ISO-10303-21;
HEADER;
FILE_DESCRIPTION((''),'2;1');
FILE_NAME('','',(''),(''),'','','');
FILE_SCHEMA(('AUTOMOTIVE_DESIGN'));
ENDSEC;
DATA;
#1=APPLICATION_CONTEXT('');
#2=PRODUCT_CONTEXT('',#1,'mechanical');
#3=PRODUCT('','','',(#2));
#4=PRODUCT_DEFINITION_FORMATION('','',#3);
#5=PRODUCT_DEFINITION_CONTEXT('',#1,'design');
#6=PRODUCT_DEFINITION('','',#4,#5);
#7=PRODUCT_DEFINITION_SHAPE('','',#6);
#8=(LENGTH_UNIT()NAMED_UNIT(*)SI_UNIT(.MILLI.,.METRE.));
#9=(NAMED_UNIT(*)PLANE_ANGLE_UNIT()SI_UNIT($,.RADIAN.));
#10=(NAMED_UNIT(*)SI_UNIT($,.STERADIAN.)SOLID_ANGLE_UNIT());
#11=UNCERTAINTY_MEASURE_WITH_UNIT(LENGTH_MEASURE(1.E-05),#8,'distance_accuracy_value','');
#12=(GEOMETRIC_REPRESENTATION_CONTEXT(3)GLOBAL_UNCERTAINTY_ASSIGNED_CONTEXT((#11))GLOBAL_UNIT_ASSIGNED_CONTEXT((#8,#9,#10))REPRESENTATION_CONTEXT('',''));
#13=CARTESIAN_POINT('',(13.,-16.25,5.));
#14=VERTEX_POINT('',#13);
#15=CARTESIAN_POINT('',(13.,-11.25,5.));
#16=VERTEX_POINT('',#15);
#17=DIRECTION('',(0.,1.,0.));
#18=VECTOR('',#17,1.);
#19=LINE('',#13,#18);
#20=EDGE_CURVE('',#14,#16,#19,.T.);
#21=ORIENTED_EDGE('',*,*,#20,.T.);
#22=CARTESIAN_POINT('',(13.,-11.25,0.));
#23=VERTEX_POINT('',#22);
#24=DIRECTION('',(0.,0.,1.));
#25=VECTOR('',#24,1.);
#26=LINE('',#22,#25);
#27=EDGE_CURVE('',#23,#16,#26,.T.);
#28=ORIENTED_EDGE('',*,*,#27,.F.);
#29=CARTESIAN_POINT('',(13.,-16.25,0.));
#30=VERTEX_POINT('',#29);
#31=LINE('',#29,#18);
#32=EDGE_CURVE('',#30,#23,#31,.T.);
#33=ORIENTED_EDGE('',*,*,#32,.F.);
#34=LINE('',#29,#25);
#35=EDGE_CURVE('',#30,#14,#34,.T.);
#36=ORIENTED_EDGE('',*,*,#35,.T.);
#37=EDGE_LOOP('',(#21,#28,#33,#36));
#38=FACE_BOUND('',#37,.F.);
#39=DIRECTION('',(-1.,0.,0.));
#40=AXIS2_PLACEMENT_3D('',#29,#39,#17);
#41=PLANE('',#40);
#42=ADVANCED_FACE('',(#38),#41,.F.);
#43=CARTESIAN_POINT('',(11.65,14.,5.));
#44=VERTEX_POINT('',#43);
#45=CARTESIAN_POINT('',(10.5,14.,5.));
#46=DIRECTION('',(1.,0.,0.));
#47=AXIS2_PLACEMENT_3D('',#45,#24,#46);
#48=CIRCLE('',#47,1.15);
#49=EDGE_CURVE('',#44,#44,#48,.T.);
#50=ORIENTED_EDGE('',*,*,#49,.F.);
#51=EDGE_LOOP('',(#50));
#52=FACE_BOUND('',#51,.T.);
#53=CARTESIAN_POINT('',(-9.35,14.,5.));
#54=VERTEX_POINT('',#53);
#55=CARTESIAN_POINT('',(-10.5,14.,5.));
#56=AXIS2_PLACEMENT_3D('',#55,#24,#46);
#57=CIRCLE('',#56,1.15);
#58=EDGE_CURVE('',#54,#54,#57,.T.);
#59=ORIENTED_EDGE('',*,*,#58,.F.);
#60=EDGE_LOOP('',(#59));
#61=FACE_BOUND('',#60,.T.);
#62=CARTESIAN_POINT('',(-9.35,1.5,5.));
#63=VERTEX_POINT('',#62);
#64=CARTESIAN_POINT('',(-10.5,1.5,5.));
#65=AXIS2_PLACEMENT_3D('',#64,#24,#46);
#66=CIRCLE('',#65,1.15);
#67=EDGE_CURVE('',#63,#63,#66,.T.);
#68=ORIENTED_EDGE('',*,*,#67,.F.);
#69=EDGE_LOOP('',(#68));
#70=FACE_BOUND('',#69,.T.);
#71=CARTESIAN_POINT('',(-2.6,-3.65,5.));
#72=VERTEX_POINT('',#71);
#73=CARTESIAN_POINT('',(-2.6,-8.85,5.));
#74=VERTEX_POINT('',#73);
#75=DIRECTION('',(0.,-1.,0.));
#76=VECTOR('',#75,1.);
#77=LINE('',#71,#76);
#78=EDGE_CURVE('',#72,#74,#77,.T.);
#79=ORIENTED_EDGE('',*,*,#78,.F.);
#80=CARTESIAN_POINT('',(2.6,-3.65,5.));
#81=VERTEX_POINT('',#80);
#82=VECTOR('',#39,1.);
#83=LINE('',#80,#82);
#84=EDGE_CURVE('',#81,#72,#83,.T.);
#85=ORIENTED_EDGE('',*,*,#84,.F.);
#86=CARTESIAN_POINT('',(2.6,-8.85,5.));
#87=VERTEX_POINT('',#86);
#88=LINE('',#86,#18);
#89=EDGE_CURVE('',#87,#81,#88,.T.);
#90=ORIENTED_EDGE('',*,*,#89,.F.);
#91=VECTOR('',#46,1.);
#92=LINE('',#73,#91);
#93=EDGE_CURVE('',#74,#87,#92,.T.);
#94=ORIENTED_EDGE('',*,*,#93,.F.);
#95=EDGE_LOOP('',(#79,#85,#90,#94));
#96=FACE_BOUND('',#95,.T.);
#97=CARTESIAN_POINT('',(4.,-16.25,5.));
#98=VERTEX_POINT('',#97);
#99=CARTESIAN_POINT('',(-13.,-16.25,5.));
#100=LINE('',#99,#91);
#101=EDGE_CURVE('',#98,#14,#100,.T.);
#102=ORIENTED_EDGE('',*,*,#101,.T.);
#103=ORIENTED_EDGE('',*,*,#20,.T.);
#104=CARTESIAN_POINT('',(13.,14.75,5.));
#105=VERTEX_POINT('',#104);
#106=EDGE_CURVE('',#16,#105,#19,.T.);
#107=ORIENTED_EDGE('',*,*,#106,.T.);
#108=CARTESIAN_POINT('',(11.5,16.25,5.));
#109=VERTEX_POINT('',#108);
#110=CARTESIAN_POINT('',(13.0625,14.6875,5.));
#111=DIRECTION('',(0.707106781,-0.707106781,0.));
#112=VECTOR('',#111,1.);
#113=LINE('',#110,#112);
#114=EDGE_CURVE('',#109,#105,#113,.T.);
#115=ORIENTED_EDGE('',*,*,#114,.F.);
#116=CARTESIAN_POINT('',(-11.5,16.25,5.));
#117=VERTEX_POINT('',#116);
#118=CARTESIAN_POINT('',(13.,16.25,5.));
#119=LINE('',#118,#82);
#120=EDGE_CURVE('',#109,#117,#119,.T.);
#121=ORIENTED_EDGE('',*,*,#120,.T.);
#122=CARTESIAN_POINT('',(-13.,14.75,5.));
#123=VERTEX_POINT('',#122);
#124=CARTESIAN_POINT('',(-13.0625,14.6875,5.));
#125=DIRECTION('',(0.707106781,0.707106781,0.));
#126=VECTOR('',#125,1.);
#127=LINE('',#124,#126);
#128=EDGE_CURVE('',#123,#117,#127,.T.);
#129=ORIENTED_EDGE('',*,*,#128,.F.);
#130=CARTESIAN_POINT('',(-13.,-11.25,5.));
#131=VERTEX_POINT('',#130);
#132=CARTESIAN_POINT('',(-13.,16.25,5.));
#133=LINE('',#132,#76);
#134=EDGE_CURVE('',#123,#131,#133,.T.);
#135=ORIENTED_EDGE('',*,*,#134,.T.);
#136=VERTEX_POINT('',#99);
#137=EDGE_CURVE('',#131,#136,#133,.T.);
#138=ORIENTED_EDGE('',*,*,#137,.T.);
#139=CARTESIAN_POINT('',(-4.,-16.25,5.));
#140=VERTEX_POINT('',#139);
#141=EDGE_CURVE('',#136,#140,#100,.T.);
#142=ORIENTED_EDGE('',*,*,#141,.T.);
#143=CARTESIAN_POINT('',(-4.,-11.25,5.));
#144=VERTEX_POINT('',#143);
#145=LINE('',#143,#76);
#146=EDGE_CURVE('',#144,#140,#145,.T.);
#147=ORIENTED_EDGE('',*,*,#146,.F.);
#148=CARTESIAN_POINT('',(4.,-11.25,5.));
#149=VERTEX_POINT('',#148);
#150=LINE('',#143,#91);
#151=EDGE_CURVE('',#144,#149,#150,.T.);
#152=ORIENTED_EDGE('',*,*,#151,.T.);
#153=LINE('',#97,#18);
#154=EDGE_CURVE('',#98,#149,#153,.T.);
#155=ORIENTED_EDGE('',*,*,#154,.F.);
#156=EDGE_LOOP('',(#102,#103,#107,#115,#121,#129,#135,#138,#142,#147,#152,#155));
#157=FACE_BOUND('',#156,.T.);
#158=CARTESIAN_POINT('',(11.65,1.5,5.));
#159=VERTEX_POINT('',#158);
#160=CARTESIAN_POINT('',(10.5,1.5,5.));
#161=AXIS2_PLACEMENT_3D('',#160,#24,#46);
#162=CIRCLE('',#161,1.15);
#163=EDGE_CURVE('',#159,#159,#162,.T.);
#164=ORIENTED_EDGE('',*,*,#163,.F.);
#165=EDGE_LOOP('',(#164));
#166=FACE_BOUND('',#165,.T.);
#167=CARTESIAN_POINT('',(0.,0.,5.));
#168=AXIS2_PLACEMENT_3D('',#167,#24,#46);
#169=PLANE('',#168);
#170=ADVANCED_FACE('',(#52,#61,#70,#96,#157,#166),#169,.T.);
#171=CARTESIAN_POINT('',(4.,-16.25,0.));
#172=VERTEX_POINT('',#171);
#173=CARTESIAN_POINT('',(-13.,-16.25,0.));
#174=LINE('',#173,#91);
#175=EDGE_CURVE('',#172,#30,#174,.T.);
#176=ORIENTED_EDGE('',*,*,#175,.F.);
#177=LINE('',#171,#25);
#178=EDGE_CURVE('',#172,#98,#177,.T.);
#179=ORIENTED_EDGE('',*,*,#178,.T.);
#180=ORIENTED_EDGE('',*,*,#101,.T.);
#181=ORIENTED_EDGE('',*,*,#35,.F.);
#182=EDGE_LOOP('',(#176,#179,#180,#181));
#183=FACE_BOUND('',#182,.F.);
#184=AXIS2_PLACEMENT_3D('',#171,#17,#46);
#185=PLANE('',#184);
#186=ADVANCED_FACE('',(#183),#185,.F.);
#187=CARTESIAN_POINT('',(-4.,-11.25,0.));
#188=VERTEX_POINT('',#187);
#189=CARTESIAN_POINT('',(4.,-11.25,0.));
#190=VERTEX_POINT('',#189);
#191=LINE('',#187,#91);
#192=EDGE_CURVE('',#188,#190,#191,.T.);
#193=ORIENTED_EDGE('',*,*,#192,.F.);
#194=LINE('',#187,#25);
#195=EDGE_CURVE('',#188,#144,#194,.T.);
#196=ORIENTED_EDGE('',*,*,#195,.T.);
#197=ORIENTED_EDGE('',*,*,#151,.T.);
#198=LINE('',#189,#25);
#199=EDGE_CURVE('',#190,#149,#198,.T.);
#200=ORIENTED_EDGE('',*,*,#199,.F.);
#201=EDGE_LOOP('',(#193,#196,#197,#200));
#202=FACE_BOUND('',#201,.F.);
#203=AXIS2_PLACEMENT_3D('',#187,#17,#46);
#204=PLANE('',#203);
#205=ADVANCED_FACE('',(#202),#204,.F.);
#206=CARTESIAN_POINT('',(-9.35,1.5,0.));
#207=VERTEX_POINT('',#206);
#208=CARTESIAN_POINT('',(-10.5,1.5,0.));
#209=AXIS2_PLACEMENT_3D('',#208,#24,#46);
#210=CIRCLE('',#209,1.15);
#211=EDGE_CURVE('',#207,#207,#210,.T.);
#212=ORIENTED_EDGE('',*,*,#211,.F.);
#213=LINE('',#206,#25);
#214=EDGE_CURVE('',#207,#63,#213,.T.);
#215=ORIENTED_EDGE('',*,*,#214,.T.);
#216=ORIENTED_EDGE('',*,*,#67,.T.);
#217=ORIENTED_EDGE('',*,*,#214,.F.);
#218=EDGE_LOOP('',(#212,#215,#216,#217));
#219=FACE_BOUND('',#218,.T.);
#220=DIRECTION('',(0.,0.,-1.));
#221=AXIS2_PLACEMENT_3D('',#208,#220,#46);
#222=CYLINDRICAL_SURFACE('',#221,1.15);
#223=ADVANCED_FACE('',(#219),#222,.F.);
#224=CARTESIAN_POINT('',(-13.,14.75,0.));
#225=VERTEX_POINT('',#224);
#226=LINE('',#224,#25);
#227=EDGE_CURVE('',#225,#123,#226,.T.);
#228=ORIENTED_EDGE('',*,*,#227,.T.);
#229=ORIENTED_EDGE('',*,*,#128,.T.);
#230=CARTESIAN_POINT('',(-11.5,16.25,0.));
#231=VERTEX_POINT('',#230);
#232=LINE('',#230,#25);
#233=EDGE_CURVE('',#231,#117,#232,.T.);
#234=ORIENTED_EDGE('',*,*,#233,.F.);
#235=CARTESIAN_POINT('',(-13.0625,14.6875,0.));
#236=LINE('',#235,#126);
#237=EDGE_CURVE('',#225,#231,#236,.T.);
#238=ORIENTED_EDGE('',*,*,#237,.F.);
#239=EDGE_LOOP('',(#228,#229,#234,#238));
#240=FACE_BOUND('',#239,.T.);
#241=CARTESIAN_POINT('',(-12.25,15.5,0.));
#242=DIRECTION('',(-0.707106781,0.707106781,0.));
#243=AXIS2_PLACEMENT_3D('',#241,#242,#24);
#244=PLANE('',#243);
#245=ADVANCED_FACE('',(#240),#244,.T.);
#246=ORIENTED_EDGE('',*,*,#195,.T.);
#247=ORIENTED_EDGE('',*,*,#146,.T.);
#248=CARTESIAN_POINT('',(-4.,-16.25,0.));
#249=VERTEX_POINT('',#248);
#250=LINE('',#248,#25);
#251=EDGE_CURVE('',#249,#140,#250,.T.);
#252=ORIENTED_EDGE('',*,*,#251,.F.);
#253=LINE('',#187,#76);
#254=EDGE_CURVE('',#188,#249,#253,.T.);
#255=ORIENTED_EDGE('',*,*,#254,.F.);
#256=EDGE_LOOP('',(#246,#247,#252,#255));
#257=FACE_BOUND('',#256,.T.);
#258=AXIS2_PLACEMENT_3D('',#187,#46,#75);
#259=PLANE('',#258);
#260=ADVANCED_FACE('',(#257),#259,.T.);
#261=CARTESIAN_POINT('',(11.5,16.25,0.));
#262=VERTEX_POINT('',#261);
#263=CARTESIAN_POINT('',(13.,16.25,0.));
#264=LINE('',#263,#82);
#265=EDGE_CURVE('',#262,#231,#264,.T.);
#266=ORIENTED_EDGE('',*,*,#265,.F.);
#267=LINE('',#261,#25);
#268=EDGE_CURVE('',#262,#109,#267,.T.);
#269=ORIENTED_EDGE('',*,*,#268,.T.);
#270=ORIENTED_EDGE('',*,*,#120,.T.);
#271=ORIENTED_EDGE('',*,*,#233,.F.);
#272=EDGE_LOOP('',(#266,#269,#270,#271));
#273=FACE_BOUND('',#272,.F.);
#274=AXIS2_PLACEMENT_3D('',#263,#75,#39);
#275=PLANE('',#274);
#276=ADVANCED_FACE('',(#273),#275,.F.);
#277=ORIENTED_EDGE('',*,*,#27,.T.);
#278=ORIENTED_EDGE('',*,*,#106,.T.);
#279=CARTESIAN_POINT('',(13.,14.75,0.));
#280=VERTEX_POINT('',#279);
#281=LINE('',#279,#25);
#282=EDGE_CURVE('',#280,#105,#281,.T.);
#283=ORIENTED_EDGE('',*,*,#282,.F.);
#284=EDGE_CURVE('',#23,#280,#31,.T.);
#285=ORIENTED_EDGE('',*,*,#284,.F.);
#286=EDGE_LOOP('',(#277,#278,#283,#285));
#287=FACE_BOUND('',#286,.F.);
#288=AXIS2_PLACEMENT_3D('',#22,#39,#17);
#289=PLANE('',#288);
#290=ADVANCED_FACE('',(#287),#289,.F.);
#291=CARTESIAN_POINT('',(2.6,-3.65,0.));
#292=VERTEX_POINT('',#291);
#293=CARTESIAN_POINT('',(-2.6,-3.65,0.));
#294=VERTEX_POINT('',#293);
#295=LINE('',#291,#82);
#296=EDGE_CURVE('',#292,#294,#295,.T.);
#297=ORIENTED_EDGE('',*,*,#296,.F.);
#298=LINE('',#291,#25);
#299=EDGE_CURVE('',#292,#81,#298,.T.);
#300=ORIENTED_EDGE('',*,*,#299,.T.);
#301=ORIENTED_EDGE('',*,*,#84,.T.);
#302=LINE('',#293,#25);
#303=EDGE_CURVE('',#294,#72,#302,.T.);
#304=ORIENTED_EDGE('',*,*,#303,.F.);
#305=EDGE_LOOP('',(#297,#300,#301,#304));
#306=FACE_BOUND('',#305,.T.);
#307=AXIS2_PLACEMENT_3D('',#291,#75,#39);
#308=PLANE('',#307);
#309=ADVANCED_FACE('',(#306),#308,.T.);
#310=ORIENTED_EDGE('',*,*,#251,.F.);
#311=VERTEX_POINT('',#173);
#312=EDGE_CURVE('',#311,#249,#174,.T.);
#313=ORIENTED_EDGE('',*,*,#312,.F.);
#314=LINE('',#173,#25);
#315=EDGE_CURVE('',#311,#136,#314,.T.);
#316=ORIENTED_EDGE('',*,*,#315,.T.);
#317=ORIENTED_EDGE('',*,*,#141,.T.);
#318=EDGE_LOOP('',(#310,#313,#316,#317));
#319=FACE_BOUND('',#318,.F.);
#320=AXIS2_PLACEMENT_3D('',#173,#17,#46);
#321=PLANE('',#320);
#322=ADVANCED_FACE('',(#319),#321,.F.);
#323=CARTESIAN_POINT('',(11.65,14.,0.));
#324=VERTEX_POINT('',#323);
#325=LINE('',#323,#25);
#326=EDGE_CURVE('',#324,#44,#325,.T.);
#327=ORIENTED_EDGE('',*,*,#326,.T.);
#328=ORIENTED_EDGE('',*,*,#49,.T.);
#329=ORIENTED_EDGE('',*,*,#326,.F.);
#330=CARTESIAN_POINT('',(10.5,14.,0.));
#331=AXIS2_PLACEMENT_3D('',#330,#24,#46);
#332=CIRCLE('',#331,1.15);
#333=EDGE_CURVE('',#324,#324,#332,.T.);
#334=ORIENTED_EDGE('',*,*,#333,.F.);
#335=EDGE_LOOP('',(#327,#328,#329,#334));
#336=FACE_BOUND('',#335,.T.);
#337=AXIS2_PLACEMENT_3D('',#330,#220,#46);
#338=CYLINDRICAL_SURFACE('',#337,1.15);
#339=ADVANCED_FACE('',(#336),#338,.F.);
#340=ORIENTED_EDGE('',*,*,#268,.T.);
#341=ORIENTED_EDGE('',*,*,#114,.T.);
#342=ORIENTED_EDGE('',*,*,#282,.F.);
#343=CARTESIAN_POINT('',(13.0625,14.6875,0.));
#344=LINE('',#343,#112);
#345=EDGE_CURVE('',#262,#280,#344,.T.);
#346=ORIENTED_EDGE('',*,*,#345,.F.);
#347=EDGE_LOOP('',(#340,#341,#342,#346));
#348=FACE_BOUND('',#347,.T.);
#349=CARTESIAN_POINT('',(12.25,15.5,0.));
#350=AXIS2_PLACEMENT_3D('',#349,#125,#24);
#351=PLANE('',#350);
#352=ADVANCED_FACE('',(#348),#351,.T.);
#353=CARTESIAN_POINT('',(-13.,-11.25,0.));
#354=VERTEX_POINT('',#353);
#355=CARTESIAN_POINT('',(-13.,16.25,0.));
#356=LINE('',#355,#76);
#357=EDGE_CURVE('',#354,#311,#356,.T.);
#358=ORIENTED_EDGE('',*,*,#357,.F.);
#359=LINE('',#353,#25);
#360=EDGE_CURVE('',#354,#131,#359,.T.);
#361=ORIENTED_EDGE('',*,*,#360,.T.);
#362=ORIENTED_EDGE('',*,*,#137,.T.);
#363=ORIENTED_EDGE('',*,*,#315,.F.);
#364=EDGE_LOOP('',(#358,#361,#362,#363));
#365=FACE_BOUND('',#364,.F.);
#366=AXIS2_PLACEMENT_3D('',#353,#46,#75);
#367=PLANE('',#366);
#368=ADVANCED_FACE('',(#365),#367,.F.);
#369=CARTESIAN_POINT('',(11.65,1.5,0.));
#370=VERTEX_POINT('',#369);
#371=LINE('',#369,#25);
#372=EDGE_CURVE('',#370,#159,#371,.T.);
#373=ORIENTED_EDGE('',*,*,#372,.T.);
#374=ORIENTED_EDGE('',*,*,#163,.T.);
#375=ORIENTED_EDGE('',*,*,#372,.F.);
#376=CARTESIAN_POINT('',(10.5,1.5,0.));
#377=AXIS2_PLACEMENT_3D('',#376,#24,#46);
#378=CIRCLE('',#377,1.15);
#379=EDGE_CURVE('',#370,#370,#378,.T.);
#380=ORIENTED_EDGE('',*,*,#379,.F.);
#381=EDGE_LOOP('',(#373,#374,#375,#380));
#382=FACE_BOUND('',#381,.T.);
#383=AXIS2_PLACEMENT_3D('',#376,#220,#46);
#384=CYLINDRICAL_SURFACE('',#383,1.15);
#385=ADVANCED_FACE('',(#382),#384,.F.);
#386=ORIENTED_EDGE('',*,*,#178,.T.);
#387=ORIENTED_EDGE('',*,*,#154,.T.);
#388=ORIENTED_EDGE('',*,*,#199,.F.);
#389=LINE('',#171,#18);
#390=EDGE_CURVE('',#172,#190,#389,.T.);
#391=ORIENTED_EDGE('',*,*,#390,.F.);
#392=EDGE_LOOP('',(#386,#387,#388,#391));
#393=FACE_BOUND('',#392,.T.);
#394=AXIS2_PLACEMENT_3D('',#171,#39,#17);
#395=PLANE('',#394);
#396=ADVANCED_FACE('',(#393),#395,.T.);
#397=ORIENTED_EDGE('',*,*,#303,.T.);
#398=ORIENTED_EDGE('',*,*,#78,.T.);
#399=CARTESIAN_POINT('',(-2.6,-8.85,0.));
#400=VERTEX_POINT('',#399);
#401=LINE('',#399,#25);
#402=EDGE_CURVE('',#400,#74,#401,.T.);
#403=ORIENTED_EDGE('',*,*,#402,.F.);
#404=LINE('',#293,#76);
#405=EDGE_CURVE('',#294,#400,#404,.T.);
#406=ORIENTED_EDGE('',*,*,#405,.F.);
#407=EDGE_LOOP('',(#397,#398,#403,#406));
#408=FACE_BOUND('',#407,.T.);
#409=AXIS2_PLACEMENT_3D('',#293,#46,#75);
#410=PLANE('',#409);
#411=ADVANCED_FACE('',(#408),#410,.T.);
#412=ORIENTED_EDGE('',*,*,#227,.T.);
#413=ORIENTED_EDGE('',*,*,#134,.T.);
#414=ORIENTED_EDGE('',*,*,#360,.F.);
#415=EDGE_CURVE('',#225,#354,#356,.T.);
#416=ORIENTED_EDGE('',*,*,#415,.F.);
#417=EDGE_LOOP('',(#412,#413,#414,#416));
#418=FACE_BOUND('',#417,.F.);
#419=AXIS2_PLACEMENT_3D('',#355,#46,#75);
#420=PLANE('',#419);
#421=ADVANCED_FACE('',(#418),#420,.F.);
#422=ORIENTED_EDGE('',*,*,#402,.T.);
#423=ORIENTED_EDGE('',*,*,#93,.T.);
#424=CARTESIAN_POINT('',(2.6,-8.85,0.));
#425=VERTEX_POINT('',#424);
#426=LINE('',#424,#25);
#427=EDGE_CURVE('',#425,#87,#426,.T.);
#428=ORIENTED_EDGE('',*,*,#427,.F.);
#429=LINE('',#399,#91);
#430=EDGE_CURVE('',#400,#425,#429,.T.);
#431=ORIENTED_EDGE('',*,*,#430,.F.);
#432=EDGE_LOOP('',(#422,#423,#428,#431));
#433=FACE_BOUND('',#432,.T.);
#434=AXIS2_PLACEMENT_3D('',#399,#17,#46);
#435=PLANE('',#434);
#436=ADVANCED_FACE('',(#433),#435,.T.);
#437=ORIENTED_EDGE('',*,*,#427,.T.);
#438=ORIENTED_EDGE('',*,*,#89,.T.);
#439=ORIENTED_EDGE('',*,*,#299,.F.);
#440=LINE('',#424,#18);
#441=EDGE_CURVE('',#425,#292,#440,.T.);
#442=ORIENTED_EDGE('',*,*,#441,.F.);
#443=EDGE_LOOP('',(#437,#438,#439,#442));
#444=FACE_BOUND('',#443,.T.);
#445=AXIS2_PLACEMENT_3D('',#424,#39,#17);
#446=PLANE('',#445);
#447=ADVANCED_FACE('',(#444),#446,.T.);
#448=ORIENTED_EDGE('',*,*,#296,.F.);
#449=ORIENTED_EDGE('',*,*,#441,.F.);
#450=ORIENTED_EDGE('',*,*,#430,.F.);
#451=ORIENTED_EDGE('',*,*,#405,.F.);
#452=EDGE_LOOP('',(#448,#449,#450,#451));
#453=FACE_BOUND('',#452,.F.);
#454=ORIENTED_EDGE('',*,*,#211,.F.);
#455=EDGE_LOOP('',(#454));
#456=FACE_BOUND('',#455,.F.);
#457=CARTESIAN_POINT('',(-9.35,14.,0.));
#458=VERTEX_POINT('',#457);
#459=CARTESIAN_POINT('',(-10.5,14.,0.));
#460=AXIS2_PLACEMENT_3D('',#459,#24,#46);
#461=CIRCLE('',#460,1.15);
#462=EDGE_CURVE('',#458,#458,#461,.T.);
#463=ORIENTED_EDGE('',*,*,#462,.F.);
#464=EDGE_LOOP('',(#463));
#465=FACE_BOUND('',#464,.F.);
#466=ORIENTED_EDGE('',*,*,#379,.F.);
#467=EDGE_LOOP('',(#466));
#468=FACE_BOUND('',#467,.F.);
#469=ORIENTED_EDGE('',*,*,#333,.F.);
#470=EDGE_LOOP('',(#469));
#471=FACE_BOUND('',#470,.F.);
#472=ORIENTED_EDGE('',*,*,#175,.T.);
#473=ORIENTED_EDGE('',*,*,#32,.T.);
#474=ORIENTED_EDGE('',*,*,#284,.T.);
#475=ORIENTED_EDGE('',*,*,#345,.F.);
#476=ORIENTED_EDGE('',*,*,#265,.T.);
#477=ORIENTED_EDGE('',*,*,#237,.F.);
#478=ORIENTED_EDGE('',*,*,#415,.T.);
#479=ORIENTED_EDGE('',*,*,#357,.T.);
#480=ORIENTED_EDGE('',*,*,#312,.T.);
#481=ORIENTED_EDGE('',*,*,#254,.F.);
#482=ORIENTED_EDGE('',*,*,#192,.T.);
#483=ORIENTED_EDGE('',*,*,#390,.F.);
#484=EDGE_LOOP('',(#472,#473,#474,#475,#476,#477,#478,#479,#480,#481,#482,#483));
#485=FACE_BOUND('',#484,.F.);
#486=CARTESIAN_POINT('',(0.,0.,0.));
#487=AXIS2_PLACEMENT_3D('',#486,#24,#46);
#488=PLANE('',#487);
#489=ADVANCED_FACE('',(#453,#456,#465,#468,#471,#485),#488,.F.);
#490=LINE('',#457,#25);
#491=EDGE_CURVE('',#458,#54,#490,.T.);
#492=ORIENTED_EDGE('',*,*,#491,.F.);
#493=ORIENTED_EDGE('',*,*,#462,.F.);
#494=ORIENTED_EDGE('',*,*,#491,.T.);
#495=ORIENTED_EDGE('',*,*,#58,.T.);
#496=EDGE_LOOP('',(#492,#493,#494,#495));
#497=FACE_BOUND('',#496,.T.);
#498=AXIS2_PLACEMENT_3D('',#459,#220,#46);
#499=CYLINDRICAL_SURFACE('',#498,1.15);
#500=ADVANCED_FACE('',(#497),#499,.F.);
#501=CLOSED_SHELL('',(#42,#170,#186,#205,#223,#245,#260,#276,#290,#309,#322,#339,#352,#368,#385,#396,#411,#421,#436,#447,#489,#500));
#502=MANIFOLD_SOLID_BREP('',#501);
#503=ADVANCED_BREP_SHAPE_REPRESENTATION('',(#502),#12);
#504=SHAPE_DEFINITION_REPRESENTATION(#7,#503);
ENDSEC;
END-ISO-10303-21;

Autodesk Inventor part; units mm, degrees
ref_plane "YZ Plane" through (0, 0, 0) normal (1, 0, 0) x (0, 1, 0)
ref_plane "XZ Plane" through (0, 0, 0) normal (0, 1, 0) x (-1, 0, 0)
ref_plane "XY Plane" through (0, 0, 0) normal (0, 0, 1) x (1, 0, 0)
sketch "Sketch1" plane through (0, 0, 0) normal (0, 0, 1) x (1, 0, 0)
  line L0 (-13, -16.25) -> (13, -16.25)
  line L1 (13, -16.25) -> (13, 16.25)
  line L2 (13, 16.25) -> (-13, 16.25)
  line L3 (-13, 16.25) -> (-13, -16.25)
  line L4 (-13, -16.25) -> (13, 16.25) construction
  line L5 (13, -16.25) -> (-13, 16.25) construction
  line L6 (-10.5, 1.5) -> (10.5, 1.5) construction
  line L7 (10.5, 1.5) -> (10.5, 14) construction
  line L8 (10.5, 14) -> (-10.5, 14) construction
  line L9 (-10.5, 14) -> (-10.5, 1.5) construction
  line L10 (-10.5, 1.5) -> (10.5, 14) construction
  line L11 (10.5, 1.5) -> (-10.5, 14) construction
  circle A0 centre (-10.5, 14) radius 1.15
  circle A1 centre (10.5, 14) radius 1.15
  circle A2 centre (10.5, 1.5) radius 1.15
  circle A3 centre (-10.5, 1.5) radius 1.15
  line L12 (-13, -11.25) -> (-4, -11.25) construction
  line L13 (-4, -11.25) -> (-4, -16.25)
  line L14 (-4, -16.25) -> (-13, -16.25)
  line L15 (-13, -16.25) -> (-13, -11.25)
  line L16 (-13, -11.25) -> (-4, -16.25) construction
  line L17 (-4, -11.25) -> (-13, -16.25) construction
  line L18 (4, -11.25) -> (13, -11.25) construction
  line L19 (13, -11.25) -> (13, -16.25)
  line L20 (13, -16.25) -> (4, -16.25)
  line L21 (4, -16.25) -> (4, -11.25)
  line L22 (4, -11.25) -> (13, -16.25) construction
  line L23 (13, -11.25) -> (4, -16.25) construction
  line L24 (-4, -11.25) -> (4, -11.25)
  line L25 (-2.6, -8.85) -> (2.6, -8.85)
  line L26 (2.6, -8.85) -> (2.6, -3.65)
  line L27 (2.6, -3.65) -> (-2.6, -3.65)
  line L28 (-2.6, -3.65) -> (-2.6, -8.85)
  line L29 (-2.6, -8.85) -> (2.6, -3.65) construction
  line L30 (2.6, -8.85) -> (-2.6, -3.65) construction
  point P0 (0, 0)
  point P1 (0, 7.75)
  point P2 (0, 7.75)
  point P3 (-8.5, -13.75)
  point P4 (8.5, -13.75)
  point P5 (0, -11.25)
  point P6 (0, -16.25)
  point P7 (4, -16.25)
  point P8 (0, -6.25)
  dimension "d0" = 12.5
  dimension "d1" = 21
  dimension "d2" = 2.3
  dimension "d3" = 2.3
  dimension "d4" = 2.3
  dimension "d5" = 2.3
  dimension "d6" = 26
  dimension "d7" = 32.5
  dimension "d9" = 5
  dimension "d10" = 9
  dimension "d11" = 5
  dimension "d12" = 9
  dimension "d17" = 5.2
  dimension "d18" = 5.2
  dimension "d19" = 10
  dimension "d20" = 8.5
extrude "Extrusion1" add sketch "Sketch1" along normal blind 5 contours L3 L2 L1 L0 L21 L24 L13
chamfer "Chamfer1" distance 1.5 angle 45 2 edges at (13, 16.25, 2.5) (-13, 16.25, 2.5)
equation "\"d2\" = d3"
equation "\"d4\" = d2"
equation "\"d5\" = d4"
equation "\"d11\" = d9"
equation "\"d12\" = d10"
properties part number "camera-bracket"
